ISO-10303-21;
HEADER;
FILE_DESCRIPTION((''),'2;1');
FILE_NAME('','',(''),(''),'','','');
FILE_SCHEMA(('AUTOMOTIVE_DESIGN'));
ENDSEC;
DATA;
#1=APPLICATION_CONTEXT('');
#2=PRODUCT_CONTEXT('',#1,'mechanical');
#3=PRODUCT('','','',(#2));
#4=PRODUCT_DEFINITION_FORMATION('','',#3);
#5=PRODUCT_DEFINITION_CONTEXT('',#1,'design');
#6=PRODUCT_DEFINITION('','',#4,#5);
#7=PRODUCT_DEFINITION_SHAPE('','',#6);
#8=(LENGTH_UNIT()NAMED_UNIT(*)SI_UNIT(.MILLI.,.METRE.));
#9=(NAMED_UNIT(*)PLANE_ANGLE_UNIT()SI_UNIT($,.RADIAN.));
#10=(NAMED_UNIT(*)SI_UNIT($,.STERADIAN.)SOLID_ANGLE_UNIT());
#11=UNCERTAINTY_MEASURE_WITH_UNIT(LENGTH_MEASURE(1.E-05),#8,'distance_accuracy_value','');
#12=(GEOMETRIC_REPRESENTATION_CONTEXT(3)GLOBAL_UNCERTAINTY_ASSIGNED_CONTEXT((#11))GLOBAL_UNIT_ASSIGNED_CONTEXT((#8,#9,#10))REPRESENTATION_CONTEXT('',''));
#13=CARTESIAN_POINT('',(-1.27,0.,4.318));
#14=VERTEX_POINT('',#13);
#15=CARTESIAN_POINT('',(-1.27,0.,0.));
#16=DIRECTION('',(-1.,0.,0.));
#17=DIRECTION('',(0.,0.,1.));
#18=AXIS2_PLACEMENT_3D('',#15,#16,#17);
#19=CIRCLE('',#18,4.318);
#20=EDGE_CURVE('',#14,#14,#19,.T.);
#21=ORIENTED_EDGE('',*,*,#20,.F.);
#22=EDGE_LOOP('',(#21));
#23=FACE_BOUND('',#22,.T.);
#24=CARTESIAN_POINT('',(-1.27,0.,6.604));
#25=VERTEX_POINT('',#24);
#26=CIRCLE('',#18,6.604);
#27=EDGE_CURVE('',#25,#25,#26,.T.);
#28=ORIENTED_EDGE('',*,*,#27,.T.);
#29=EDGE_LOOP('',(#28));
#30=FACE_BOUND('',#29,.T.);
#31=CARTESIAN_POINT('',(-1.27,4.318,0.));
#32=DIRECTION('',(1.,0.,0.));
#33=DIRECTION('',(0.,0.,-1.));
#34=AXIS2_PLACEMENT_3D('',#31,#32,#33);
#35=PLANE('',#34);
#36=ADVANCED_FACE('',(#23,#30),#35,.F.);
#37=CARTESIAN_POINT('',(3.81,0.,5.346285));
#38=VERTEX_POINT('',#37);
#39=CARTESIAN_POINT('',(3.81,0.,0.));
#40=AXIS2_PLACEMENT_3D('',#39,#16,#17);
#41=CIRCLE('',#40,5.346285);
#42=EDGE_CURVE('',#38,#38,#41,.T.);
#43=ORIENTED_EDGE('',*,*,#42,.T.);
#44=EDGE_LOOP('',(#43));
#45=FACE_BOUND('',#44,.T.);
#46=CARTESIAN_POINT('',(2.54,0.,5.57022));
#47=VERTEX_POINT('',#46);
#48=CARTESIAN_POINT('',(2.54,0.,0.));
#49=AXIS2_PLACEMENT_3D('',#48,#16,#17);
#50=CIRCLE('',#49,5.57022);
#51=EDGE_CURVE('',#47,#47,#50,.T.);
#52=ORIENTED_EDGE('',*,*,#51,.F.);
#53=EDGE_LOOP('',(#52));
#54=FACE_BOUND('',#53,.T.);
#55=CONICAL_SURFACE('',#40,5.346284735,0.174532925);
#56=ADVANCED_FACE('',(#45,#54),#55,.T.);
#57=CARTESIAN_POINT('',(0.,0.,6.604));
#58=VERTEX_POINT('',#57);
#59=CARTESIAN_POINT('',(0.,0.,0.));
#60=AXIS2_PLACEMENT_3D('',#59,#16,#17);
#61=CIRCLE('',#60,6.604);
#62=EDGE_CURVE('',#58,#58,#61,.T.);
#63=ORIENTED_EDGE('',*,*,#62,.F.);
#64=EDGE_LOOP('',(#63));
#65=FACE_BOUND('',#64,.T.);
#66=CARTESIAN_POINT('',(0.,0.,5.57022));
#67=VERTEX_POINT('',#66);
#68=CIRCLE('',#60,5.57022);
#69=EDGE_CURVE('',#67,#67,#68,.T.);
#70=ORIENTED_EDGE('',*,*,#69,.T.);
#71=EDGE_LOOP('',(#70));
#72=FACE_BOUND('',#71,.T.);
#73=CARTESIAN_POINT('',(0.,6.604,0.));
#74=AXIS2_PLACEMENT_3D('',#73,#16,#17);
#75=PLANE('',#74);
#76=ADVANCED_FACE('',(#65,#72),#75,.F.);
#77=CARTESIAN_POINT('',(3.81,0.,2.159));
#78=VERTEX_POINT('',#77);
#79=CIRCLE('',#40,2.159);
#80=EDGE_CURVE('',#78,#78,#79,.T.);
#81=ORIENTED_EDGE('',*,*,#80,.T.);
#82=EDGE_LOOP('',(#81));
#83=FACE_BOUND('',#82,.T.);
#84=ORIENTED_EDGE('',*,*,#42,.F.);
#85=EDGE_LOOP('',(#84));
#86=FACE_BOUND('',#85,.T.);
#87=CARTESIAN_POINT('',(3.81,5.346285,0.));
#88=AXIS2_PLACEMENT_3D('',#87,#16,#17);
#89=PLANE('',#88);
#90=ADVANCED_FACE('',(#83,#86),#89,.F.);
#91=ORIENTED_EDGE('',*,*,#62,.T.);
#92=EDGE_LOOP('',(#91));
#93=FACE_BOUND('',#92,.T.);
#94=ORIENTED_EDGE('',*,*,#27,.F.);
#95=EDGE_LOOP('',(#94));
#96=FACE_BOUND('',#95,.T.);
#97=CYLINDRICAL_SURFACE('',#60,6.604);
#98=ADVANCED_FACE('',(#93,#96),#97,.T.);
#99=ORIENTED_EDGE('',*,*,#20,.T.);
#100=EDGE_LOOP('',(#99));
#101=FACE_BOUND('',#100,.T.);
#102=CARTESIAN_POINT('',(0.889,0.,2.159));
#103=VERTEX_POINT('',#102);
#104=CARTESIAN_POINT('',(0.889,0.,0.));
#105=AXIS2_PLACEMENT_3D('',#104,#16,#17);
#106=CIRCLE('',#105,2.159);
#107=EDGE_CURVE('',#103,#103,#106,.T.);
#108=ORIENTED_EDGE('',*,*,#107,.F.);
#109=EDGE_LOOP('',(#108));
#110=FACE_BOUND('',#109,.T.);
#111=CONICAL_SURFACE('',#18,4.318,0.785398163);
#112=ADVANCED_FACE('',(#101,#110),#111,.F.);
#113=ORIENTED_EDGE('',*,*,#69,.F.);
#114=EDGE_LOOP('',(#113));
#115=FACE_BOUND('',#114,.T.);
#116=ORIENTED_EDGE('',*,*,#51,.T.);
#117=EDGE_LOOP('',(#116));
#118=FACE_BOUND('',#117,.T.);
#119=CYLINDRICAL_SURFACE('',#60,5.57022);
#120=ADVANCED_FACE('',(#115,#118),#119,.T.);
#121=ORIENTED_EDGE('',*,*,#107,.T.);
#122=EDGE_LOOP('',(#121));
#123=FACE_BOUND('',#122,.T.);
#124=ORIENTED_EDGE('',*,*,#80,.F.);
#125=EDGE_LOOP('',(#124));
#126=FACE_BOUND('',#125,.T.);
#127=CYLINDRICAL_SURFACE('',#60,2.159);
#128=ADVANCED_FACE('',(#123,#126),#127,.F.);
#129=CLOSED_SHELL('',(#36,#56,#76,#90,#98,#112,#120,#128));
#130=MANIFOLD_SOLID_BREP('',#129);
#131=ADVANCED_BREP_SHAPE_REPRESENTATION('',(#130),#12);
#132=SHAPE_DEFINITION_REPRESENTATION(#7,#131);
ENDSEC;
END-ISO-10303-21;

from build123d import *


with BuildPart() as part:
    # Sketch1 → Revolve1 (revolve)
    with BuildSketch(Plane.XY, mode=Mode.PRIVATE) as revolve1_sk:
        Polygon((3.81, 2.159), (0.889, 2.159), (-1.27, 4.318), (-1.27, 6.604), (0, 6.604), (0, 5.57022), (2.54, 5.57022), (3.81, 5.346284735), align=None)
    revolve(revolve1_sk.sketch.rotate(Axis((0, 0, 0), (1, 0, 0)), 90), axis=Axis((0, 0, 0), (1, 0, 0)))  # turned: the seam where the file's is


solid = part.part
